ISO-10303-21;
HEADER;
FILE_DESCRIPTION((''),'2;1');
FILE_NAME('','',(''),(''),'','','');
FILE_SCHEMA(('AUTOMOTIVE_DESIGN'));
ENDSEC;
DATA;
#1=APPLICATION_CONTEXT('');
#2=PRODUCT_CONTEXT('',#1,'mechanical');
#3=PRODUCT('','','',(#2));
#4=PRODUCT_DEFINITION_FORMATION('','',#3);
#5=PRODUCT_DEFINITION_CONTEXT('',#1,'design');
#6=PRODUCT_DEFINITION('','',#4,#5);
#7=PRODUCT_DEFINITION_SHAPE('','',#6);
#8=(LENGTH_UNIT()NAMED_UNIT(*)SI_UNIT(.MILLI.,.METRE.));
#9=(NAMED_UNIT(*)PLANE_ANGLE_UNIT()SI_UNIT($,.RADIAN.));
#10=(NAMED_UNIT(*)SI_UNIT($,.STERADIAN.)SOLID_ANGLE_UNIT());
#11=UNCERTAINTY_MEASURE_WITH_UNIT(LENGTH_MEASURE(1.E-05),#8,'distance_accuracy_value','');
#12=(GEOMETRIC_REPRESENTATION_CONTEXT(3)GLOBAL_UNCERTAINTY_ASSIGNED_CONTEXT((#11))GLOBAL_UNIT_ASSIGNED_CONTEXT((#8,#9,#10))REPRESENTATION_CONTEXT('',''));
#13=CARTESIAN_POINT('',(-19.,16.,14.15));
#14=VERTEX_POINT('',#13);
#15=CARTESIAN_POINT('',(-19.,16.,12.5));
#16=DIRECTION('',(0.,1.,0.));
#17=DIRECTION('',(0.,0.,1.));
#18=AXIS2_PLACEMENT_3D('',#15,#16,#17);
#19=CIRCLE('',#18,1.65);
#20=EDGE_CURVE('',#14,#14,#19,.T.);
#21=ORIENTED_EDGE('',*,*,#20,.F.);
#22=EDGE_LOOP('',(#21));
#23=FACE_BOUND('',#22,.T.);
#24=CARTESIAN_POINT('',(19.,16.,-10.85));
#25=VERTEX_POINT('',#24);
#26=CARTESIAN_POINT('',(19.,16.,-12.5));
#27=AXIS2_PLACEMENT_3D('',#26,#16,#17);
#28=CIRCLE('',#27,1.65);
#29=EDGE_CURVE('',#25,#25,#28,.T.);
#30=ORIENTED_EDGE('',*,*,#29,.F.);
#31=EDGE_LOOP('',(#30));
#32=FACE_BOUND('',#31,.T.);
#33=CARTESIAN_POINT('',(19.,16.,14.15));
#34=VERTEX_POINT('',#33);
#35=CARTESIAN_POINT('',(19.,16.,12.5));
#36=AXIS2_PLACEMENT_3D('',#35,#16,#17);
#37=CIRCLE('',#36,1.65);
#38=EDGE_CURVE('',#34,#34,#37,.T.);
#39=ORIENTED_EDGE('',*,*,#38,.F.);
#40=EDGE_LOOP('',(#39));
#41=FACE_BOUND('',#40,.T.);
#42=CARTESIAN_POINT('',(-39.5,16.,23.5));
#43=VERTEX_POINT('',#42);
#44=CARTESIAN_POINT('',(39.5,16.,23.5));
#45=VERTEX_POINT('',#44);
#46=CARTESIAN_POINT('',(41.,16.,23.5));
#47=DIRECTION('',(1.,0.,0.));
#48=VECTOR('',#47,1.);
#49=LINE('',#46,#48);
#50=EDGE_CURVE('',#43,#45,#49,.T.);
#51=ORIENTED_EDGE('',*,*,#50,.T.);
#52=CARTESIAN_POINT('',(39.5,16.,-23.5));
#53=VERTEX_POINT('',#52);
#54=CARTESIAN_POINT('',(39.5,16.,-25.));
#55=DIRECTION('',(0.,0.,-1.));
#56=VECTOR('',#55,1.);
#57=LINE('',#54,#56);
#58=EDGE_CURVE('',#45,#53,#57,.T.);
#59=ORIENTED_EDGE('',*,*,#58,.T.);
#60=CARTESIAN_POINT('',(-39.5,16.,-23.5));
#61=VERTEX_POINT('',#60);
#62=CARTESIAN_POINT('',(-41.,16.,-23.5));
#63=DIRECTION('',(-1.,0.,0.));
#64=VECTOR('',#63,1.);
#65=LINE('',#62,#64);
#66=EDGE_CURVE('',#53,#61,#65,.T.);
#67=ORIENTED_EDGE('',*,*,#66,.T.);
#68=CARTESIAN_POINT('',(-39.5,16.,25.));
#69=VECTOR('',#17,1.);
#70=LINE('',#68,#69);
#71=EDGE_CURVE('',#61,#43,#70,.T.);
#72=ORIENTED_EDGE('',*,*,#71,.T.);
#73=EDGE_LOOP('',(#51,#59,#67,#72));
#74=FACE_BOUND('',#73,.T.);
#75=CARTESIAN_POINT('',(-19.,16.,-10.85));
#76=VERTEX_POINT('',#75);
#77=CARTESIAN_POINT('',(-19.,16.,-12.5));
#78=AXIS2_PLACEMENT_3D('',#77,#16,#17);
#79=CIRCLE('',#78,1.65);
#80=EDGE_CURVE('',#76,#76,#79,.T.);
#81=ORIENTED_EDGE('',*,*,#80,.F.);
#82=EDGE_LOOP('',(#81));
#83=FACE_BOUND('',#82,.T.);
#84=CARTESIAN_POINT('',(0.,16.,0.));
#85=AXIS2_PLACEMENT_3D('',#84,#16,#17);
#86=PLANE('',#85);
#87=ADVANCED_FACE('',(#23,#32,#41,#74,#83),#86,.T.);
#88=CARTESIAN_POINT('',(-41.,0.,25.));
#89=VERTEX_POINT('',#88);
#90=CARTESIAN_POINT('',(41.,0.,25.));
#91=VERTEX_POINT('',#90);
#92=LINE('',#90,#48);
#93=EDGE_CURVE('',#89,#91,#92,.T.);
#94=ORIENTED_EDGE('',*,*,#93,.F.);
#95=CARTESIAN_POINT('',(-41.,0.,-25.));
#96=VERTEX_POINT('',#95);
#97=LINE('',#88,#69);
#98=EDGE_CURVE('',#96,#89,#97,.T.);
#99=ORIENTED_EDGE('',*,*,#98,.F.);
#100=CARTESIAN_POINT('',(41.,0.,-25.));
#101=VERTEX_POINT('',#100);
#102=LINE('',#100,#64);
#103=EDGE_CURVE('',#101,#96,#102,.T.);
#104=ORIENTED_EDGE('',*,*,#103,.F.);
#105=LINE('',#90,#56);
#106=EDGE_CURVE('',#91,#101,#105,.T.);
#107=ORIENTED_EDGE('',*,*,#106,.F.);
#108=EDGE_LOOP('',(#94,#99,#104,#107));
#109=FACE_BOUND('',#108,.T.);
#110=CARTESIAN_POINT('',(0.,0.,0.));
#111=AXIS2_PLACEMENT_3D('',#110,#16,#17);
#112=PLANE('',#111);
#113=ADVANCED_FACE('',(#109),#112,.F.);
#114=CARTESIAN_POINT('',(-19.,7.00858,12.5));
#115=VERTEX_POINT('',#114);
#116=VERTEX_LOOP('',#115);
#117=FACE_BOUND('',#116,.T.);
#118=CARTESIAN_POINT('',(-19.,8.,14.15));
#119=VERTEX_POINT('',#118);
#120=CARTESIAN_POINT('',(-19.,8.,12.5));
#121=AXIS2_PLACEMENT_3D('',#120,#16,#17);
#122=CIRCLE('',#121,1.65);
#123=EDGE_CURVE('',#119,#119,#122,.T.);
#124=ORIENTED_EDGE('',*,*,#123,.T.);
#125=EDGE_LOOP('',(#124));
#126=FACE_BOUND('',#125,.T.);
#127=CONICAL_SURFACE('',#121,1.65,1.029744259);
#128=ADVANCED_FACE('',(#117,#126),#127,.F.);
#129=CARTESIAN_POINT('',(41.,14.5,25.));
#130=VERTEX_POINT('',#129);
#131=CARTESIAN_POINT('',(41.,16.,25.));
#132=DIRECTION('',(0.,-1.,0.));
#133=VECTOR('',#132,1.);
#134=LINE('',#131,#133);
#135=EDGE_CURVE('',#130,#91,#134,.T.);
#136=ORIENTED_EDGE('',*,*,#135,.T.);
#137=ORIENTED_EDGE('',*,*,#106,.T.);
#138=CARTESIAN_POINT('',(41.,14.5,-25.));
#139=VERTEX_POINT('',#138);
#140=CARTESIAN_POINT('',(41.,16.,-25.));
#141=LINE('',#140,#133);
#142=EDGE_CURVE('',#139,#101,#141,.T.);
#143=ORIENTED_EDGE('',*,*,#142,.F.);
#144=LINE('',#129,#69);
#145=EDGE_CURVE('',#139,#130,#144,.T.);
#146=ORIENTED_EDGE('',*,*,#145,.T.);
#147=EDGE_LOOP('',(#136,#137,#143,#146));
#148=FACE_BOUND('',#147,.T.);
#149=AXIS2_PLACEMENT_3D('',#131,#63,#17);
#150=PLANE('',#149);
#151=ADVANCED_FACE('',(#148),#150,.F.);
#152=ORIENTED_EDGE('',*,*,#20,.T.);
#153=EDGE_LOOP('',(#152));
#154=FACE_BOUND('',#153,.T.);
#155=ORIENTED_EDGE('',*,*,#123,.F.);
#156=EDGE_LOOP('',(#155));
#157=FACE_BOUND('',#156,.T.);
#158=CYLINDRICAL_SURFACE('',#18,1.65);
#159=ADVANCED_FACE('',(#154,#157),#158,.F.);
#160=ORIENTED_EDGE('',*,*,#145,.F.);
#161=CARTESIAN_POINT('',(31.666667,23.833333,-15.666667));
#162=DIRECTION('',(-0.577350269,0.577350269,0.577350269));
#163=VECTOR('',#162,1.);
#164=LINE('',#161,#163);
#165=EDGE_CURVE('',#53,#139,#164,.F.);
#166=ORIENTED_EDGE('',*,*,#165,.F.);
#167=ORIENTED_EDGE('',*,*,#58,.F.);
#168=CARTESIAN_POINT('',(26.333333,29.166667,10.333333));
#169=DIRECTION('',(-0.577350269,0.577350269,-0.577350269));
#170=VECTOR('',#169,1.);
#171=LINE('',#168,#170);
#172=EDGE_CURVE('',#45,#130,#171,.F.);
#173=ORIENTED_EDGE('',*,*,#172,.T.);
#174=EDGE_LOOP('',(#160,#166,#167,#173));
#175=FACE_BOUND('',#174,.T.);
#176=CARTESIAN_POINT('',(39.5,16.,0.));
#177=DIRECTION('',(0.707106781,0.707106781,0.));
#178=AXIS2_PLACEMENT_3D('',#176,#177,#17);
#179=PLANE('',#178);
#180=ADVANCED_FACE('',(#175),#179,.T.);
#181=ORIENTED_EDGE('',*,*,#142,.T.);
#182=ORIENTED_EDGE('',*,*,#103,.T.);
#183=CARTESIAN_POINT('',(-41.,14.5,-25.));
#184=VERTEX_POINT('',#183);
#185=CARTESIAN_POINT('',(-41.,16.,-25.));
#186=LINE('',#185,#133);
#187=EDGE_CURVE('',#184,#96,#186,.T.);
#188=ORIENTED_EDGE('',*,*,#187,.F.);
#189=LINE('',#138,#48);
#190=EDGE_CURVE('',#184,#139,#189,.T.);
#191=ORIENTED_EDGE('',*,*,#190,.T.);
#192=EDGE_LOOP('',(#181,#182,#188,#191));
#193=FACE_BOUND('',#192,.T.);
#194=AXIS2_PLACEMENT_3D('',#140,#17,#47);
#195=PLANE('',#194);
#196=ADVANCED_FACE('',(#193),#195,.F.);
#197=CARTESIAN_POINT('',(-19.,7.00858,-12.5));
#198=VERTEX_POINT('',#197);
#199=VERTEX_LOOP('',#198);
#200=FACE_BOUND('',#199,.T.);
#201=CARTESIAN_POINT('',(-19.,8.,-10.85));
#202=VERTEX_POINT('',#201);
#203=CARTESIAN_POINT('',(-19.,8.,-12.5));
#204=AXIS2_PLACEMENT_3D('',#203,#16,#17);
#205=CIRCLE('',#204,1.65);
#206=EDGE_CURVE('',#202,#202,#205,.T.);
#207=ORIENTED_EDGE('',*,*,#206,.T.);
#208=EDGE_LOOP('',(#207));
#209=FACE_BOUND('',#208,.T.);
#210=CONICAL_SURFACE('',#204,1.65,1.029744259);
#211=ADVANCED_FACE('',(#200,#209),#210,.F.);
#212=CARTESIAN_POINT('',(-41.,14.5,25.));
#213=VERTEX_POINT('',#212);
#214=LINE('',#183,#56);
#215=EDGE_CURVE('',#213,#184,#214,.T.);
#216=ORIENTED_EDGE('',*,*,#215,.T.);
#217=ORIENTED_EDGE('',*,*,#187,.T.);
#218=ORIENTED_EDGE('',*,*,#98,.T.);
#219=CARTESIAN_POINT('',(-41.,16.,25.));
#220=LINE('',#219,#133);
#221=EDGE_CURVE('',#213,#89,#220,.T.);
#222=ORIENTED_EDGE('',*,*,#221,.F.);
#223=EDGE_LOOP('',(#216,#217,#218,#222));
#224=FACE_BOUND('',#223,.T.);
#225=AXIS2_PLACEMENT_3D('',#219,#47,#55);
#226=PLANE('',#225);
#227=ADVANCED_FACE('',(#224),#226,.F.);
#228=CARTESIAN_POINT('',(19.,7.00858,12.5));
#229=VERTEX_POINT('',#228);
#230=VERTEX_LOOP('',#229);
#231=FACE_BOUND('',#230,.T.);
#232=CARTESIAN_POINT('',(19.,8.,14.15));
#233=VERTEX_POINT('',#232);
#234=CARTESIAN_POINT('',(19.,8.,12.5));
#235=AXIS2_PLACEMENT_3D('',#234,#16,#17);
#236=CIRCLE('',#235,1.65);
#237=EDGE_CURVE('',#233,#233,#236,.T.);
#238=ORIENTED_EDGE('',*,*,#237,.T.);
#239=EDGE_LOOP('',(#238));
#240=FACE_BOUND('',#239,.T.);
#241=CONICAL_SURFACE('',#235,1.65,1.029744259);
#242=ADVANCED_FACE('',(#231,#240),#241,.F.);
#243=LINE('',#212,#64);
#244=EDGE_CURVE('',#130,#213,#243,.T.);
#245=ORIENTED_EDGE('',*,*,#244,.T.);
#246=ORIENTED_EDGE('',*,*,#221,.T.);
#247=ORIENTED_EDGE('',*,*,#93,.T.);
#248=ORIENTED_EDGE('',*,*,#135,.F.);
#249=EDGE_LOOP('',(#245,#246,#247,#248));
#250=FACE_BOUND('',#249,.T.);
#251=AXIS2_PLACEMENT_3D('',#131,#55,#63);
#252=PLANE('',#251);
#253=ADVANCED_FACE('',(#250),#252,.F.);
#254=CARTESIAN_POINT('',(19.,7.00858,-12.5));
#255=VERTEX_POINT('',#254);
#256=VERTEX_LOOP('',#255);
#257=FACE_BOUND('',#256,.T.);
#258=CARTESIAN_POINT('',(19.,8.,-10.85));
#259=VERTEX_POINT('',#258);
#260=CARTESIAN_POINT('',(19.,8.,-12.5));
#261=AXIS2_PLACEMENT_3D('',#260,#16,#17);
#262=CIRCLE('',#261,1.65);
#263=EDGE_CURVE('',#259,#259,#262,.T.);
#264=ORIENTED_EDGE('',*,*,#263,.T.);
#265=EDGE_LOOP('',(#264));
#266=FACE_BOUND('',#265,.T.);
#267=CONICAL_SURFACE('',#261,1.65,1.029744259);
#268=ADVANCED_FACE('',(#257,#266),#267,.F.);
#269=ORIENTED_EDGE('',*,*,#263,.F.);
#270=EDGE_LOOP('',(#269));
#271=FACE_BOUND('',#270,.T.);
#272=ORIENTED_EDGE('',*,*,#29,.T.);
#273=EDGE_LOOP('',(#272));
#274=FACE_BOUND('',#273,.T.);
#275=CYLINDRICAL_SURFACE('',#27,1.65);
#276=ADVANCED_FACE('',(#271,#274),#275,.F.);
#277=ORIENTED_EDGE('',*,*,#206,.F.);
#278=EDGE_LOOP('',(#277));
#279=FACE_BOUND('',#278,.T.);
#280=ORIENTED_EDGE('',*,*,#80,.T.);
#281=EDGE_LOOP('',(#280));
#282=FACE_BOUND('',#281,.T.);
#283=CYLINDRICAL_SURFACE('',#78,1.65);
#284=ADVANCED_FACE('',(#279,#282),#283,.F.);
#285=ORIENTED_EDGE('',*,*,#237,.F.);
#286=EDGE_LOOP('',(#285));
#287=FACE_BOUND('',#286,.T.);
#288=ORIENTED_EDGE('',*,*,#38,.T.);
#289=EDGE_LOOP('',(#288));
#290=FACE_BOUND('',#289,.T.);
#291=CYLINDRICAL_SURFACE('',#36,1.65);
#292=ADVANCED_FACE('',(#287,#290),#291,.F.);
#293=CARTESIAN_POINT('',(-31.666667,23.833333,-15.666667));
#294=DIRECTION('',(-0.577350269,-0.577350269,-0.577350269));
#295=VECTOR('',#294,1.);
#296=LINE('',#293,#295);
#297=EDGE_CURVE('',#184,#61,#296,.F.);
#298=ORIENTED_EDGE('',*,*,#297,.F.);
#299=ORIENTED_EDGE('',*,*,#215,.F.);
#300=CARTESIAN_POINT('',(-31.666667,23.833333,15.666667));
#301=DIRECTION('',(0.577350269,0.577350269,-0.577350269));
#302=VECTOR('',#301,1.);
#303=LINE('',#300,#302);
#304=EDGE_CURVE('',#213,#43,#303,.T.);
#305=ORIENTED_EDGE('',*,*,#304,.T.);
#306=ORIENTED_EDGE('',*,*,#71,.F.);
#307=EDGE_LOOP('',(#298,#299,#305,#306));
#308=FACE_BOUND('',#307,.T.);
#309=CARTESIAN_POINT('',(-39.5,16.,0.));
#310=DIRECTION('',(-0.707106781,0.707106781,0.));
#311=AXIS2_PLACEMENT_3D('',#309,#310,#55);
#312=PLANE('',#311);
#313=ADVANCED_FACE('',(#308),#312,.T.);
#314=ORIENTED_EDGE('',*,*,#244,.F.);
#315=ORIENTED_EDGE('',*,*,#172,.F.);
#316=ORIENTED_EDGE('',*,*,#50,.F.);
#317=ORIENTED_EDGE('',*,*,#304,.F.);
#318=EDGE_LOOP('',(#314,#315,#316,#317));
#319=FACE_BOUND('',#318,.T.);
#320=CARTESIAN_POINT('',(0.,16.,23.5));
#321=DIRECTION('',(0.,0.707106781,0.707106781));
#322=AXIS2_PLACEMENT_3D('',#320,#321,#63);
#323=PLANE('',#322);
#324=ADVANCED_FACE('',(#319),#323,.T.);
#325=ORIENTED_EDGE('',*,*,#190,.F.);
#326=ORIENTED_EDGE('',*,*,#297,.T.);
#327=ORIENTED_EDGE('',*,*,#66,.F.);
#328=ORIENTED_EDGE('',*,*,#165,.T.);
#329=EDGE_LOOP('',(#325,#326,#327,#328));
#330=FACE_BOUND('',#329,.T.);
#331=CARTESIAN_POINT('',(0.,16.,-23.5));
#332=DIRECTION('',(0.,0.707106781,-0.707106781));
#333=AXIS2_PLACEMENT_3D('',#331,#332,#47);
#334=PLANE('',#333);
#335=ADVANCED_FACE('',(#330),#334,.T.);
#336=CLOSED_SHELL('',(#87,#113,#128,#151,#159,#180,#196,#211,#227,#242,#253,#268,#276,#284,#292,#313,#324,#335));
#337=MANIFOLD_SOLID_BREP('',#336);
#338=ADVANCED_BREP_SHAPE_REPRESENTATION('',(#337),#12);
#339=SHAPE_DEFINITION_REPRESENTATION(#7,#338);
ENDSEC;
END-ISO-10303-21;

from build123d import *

# Parameters (mm, degrees)
SKETCH1_W             = 82
SKETCH1_H             = 50
BOSS_EXTRUDE2_DEPTH   = 16
CHAMFER1_SIZE         = 1.5
M4_TAPPED_HOLE1_D     = 3.3
M4_TAPPED_HOLE1_DEPTH = 8
M4_TAPPED_HOLE1_TIP   = 0.991420021


with BuildPart() as part:
    # Sketch1 → Boss-Extrude2 (new body)
    with BuildSketch(Plane(origin=(0, 0, 0), x_dir=(1, 0, 0), z_dir=(0, 1, 0))):
        Rectangle(SKETCH1_W, SKETCH1_H)
    extrude(amount=BOSS_EXTRUDE2_DEPTH)

    # Chamfer1
    chamfer1_edges = [part.edges().sort_by_distance(p)[0] for p in [
        (41, 16, 0),
        (0, 16, -25),
        (-41, 16, 0),
        (0, 16, 25),
    ]]
    chamfer(chamfer1_edges, length=CHAMFER1_SIZE)

    # M4 Tapped Hole1
    with Locations(Plane(origin=(0, 16, 0), x_dir=(1, 0, 0), z_dir=(0, 1, 0))):
        with Locations((-19, 12.5), (19, 12.5), (19, -12.5), (-19, -12.5)):
            Hole(M4_TAPPED_HOLE1_D / 2, depth=M4_TAPPED_HOLE1_DEPTH)
            with Locations((0, 0, -(M4_TAPPED_HOLE1_DEPTH + M4_TAPPED_HOLE1_TIP / 2))):  # 118° drill point
                Cone(0, M4_TAPPED_HOLE1_D / 2, M4_TAPPED_HOLE1_TIP, mode=Mode.SUBTRACT)


solid = part.part
